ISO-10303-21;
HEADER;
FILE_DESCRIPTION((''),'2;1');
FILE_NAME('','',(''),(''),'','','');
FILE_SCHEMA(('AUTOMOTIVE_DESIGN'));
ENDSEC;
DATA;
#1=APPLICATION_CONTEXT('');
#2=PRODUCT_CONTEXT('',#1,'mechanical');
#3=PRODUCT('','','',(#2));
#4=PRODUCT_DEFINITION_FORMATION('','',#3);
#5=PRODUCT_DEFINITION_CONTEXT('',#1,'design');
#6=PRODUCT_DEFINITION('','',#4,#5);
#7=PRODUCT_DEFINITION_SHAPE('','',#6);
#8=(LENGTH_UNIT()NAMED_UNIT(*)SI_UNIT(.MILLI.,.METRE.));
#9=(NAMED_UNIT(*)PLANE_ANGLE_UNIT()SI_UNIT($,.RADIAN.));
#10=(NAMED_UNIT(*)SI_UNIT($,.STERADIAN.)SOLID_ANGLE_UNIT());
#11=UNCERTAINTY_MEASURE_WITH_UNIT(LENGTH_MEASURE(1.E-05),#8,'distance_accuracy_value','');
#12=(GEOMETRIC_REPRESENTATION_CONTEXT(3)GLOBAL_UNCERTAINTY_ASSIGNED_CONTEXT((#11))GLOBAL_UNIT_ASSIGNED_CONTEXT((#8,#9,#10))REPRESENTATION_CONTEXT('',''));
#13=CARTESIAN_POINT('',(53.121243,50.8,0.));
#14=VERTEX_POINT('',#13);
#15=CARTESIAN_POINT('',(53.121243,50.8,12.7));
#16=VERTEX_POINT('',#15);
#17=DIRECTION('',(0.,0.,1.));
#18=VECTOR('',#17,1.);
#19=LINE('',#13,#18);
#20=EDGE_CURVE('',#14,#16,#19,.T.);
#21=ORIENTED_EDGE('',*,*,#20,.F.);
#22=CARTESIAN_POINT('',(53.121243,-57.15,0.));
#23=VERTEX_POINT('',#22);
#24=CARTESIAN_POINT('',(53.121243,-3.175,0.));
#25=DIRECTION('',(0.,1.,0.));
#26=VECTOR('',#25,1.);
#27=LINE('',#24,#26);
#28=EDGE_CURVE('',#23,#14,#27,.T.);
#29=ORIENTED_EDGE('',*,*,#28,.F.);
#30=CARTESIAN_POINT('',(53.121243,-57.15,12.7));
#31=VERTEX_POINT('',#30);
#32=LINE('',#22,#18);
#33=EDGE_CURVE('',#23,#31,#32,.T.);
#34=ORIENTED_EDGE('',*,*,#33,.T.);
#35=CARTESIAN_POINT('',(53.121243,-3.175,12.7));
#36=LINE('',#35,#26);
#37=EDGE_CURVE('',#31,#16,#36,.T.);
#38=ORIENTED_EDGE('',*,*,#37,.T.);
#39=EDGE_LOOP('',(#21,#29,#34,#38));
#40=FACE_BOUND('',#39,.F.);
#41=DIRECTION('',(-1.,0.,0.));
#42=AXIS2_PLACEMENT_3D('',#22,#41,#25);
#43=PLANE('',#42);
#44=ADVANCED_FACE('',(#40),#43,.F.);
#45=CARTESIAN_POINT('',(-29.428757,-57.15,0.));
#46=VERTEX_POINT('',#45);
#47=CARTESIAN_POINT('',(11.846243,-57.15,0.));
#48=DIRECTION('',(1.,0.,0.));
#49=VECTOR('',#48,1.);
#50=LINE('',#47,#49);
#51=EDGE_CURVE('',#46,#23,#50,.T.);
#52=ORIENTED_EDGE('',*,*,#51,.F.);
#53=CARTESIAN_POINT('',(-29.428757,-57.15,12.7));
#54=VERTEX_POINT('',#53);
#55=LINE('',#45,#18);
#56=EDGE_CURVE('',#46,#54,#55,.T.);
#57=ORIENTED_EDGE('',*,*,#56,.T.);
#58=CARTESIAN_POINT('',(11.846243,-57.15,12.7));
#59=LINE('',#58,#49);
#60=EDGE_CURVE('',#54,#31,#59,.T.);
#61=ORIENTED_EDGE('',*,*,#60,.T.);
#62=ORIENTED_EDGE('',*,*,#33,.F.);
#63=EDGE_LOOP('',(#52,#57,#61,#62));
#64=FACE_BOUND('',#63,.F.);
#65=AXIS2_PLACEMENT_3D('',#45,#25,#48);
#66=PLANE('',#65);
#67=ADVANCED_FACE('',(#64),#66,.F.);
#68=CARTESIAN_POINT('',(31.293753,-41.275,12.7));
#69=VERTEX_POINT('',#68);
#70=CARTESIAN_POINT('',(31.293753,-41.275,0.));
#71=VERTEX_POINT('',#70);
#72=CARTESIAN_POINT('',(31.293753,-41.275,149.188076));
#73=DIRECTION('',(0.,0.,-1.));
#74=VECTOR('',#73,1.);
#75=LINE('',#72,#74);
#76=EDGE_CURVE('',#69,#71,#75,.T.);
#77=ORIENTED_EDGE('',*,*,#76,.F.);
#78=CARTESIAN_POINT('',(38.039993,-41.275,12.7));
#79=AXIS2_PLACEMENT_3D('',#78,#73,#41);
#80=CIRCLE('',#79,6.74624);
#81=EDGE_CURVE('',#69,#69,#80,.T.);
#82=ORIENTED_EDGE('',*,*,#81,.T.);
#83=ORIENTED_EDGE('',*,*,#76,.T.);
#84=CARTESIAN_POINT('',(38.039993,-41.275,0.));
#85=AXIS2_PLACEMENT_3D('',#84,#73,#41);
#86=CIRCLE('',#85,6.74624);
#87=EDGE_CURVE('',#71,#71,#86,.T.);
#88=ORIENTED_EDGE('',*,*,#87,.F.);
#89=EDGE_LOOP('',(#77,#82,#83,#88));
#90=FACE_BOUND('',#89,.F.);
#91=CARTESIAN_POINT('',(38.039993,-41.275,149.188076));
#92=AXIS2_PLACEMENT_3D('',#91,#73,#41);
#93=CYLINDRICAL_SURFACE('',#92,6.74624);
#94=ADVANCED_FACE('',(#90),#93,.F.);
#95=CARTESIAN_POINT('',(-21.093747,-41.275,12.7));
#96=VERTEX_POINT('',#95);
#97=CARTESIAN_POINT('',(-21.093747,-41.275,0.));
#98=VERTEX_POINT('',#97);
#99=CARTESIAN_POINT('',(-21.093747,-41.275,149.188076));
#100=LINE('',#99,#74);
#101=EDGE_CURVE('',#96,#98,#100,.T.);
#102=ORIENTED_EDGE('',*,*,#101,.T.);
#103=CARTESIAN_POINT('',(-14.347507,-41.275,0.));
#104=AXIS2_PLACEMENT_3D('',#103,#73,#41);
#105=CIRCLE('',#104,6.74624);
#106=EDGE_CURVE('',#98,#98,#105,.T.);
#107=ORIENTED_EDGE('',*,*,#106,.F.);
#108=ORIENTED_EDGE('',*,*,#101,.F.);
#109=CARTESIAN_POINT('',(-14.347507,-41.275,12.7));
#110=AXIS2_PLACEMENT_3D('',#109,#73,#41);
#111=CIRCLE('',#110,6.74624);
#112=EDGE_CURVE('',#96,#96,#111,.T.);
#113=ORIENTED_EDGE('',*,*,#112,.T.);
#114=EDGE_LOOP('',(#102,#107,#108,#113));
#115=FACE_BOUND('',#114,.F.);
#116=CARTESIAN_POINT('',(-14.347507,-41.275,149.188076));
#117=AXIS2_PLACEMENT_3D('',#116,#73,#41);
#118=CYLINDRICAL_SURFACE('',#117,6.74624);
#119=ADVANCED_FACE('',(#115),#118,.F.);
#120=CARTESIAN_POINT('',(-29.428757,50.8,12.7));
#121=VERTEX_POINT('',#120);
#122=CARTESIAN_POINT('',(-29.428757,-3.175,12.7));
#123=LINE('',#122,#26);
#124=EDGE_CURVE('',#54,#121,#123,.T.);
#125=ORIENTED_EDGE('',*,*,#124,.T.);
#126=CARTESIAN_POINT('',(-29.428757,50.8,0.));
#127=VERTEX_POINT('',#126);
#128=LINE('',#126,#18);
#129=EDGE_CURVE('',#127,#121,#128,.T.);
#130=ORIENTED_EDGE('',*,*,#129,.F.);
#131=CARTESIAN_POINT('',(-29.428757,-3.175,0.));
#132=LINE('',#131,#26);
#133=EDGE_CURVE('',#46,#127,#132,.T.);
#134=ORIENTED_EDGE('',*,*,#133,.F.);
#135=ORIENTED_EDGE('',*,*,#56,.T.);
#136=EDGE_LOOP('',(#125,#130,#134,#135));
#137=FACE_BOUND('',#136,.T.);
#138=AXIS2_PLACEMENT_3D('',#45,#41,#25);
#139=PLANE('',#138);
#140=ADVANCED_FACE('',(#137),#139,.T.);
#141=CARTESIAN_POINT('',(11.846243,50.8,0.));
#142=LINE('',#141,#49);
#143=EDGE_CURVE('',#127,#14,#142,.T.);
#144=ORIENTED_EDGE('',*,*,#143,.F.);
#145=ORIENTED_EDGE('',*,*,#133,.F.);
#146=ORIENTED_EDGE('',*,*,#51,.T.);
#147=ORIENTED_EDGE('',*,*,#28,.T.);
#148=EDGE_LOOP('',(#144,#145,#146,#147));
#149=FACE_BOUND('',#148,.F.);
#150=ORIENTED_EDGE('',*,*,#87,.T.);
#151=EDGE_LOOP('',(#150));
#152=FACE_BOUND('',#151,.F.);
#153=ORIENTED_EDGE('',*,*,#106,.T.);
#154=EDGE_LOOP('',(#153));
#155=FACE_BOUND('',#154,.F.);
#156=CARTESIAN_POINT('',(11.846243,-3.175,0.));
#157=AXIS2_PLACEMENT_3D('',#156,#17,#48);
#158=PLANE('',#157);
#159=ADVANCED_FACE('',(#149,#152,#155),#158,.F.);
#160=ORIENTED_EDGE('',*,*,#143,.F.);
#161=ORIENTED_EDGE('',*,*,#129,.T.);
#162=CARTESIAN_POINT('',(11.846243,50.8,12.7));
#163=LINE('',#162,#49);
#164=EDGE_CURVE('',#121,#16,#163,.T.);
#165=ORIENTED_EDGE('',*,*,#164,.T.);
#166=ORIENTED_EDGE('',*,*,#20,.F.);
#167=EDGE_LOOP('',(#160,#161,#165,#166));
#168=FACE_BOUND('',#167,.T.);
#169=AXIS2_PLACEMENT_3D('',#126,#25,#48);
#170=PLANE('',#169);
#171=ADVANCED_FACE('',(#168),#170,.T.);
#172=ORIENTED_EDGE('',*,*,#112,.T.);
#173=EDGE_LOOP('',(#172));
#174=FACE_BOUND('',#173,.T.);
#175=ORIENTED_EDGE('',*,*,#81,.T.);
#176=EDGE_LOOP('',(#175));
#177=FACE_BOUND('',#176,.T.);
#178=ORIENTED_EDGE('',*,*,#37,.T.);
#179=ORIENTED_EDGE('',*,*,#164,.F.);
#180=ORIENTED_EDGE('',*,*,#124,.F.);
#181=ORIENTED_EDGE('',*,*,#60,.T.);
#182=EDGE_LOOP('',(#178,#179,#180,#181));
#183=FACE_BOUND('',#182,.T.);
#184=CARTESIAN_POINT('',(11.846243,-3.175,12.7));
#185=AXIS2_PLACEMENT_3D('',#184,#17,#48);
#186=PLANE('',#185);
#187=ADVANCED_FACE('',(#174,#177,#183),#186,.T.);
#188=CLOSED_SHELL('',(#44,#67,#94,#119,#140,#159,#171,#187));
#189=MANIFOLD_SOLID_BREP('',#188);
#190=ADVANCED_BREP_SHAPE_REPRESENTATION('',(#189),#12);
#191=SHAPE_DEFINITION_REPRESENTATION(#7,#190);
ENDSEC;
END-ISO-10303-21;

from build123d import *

# Parameters (mm, degrees)
F0_W     = 82.55
F0_H     = 107.95
F1_DEPTH = 12.7
F3_D     = 13.49248


with BuildPart() as f1:
    # F0 (on Top) → F1 (new body)
    with BuildSketch(Plane.XY):
        with Locations((11.846243368, -3.175)):
            Rectangle(F0_W, F0_H)
    extrude(amount=F1_DEPTH)

    # F3 (through all)
    with Locations(Plane.XY.offset(12.7)):
        with Locations((-14.347506632, -41.275), (38.039993368, -41.275)):
            Hole(F3_D / 2)


solid = f1.part
